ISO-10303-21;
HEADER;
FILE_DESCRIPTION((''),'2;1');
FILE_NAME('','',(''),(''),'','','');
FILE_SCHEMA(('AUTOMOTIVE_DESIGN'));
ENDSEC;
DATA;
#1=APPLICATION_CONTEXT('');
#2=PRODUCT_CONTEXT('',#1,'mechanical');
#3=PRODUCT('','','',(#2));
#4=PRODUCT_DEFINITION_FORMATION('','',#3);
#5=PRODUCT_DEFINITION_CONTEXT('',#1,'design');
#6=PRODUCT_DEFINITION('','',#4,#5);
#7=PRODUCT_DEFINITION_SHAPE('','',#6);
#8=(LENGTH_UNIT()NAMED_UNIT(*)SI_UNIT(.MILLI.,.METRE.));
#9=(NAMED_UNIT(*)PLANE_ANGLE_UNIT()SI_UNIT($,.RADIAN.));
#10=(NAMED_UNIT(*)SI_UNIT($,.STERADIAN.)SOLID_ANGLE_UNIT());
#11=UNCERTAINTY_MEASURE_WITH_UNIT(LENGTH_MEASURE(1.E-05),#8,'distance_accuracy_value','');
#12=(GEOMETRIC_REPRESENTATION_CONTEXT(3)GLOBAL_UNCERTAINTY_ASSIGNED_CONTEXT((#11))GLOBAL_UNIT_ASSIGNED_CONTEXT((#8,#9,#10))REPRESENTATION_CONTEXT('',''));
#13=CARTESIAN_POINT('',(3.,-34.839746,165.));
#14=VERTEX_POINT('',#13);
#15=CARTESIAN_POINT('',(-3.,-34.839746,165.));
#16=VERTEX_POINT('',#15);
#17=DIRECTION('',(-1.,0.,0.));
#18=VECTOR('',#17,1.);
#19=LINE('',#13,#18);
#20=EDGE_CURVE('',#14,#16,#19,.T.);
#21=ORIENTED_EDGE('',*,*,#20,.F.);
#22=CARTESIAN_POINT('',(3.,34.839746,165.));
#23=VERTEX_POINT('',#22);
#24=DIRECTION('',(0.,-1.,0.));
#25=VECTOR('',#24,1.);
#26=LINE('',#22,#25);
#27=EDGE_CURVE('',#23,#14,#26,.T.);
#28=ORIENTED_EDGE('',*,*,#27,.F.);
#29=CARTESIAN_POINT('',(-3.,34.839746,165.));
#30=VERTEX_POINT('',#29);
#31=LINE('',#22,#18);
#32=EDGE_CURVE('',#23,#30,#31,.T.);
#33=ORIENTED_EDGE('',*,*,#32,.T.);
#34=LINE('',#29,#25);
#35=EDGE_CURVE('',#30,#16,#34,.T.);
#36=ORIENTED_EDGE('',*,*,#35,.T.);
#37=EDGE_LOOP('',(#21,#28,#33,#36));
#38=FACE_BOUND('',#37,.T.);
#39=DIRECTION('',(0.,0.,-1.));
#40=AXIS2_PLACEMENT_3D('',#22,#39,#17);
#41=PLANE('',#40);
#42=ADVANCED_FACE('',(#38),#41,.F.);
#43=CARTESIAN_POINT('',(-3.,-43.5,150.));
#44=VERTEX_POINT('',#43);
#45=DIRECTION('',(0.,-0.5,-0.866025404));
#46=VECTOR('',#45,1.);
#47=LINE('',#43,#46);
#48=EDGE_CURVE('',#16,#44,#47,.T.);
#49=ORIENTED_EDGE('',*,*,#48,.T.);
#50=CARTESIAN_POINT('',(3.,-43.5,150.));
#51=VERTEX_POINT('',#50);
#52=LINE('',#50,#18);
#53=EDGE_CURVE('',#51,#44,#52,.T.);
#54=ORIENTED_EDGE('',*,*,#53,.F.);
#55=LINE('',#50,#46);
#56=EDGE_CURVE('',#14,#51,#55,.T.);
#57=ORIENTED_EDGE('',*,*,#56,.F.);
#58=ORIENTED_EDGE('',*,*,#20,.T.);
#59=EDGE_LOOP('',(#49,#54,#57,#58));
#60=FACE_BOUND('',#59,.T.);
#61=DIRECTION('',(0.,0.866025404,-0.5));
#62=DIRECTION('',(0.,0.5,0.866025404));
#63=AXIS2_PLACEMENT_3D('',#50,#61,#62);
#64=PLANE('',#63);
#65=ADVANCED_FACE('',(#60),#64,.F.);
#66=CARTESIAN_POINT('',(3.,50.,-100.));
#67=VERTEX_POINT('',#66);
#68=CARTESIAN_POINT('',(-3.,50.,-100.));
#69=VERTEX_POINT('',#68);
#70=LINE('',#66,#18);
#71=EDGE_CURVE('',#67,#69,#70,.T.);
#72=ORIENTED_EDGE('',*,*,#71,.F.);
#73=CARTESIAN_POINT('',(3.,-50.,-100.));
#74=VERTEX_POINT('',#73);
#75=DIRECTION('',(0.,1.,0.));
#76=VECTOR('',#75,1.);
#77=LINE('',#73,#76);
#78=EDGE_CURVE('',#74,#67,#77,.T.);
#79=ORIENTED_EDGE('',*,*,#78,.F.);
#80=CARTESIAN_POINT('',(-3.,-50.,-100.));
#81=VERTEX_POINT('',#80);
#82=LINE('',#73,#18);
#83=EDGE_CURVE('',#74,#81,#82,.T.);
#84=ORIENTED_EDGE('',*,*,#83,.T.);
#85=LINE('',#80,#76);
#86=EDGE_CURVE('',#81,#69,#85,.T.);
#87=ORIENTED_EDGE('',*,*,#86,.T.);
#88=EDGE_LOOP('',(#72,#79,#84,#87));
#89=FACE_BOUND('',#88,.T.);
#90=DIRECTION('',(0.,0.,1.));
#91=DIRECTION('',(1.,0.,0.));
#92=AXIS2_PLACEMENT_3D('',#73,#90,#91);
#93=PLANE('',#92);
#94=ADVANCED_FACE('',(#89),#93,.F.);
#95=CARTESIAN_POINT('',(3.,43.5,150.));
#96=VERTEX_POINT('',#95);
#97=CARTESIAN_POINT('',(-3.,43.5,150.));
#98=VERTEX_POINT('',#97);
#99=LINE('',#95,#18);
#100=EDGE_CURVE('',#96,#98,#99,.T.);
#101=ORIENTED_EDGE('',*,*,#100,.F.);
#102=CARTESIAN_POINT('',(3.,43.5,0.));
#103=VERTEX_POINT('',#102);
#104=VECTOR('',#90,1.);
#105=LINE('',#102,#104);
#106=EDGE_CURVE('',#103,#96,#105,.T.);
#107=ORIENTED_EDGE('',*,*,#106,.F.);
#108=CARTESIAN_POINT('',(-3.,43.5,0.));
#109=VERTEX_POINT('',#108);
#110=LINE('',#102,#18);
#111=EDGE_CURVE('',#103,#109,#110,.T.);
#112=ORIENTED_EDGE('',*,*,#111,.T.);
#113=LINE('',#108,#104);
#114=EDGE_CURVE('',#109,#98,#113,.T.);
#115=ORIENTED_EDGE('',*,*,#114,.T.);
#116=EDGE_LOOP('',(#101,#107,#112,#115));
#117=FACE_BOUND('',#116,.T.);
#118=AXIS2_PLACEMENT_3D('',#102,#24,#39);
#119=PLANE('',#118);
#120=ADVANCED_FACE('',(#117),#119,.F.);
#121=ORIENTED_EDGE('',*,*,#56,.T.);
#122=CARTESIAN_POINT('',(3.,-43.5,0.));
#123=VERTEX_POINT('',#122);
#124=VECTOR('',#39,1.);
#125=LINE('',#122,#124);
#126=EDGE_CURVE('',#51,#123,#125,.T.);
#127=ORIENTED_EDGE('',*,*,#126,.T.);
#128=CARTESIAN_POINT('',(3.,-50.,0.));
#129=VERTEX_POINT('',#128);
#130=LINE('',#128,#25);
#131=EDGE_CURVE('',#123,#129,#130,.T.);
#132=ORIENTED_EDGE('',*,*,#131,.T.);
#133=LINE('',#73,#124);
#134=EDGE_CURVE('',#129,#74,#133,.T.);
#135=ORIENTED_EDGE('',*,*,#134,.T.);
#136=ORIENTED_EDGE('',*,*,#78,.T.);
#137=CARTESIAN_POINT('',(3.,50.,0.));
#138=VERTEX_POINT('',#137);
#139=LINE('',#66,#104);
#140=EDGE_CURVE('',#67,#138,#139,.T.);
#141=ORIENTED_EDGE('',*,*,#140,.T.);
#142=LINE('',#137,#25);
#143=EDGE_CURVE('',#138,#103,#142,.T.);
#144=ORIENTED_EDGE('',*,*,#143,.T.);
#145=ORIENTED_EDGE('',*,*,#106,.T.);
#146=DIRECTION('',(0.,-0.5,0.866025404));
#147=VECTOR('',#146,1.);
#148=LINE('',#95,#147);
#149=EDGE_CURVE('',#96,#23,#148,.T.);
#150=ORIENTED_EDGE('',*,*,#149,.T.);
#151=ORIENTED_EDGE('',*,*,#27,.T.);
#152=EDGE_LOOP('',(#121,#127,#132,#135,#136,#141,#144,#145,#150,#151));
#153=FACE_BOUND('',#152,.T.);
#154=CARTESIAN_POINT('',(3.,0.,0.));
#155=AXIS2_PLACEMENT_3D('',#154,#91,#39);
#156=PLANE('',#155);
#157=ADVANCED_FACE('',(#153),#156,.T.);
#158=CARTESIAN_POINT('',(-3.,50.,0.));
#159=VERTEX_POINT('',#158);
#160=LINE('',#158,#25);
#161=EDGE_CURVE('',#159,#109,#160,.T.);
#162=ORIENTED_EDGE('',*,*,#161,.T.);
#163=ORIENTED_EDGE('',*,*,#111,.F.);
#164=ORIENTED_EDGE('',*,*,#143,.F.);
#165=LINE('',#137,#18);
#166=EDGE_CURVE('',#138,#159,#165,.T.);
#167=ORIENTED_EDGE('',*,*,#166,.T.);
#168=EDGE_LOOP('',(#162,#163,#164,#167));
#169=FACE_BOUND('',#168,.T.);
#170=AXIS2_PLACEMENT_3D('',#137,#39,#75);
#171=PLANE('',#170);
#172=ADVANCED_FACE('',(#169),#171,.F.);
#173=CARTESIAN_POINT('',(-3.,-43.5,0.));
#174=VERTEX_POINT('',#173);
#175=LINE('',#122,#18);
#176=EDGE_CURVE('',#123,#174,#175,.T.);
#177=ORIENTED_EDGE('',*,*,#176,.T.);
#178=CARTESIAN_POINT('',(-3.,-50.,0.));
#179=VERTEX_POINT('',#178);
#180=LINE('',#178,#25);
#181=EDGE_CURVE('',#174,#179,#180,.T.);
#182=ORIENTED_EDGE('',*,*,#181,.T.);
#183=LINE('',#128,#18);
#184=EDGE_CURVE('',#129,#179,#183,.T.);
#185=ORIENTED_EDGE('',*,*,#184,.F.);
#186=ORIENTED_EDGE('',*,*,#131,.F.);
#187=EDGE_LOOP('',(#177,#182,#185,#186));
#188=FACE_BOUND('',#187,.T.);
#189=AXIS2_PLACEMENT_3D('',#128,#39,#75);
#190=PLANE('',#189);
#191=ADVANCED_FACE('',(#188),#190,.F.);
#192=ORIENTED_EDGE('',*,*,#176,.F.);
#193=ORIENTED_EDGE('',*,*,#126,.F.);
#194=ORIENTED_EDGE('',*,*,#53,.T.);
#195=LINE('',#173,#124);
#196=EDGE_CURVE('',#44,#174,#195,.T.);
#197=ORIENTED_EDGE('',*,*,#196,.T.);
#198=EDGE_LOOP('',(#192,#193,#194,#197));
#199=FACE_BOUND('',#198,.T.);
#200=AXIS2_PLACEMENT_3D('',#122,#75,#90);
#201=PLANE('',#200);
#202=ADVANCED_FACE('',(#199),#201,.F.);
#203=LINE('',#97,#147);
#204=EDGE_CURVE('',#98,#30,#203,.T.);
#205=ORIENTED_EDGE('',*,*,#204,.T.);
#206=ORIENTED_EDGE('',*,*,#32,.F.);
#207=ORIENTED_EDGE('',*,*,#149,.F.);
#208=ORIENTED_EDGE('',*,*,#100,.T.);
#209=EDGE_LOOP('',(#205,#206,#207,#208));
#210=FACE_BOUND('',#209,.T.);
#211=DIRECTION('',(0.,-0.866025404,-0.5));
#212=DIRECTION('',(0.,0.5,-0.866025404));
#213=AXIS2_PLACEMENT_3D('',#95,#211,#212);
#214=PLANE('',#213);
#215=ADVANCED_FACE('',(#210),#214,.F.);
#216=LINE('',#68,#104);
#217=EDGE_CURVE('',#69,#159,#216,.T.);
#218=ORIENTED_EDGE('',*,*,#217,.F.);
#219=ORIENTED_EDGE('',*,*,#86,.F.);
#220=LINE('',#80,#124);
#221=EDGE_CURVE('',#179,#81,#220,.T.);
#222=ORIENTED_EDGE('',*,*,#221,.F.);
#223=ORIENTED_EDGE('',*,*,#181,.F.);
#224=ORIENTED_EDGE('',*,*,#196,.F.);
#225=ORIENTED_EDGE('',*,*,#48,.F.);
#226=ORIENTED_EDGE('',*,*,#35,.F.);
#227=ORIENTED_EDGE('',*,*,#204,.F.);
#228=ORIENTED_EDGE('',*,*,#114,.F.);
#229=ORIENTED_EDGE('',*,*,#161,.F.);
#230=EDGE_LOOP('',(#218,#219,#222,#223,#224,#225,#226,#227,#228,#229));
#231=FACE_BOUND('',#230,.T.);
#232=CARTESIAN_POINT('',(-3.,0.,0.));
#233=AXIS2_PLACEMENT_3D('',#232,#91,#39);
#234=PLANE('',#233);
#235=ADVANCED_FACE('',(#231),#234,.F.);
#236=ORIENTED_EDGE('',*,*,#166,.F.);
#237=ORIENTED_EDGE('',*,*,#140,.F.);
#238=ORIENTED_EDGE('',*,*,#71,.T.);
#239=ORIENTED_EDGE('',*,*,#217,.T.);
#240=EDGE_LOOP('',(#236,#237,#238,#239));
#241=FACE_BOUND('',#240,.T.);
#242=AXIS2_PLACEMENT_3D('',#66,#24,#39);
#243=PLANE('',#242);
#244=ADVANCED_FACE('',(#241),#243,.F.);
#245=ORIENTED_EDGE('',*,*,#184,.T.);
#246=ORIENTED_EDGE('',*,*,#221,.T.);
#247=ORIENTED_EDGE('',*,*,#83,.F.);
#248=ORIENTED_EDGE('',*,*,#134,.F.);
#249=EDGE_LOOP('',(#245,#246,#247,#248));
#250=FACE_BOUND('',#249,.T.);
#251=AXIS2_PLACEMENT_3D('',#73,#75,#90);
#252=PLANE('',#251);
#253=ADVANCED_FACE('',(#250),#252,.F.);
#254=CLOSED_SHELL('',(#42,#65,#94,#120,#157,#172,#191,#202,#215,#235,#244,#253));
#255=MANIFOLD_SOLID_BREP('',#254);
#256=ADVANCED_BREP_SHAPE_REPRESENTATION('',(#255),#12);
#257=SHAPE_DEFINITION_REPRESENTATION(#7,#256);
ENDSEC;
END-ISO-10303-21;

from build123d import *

# Parameters (mm, degrees)
EXTRUDE_1_DEPTH = 3


with BuildPart() as part:
    # Эскиз1 → Бобышка-Вытянуть1 (new, symmetric)
    with BuildSketch(Plane(origin=(0, 0, 0), x_dir=(0, 0, -1), z_dir=(1, 0, 0))):
        Polygon((100, -50), (100, 50), (0, 50), (0, 43.5), (-150, 43.5), (-165, 34.839745962), (-165, -34.839745962), (-150, -43.5), (0, -43.5), (0, -50), align=None)
    extrude(amount=EXTRUDE_1_DEPTH, both=True)


solid = part.part
